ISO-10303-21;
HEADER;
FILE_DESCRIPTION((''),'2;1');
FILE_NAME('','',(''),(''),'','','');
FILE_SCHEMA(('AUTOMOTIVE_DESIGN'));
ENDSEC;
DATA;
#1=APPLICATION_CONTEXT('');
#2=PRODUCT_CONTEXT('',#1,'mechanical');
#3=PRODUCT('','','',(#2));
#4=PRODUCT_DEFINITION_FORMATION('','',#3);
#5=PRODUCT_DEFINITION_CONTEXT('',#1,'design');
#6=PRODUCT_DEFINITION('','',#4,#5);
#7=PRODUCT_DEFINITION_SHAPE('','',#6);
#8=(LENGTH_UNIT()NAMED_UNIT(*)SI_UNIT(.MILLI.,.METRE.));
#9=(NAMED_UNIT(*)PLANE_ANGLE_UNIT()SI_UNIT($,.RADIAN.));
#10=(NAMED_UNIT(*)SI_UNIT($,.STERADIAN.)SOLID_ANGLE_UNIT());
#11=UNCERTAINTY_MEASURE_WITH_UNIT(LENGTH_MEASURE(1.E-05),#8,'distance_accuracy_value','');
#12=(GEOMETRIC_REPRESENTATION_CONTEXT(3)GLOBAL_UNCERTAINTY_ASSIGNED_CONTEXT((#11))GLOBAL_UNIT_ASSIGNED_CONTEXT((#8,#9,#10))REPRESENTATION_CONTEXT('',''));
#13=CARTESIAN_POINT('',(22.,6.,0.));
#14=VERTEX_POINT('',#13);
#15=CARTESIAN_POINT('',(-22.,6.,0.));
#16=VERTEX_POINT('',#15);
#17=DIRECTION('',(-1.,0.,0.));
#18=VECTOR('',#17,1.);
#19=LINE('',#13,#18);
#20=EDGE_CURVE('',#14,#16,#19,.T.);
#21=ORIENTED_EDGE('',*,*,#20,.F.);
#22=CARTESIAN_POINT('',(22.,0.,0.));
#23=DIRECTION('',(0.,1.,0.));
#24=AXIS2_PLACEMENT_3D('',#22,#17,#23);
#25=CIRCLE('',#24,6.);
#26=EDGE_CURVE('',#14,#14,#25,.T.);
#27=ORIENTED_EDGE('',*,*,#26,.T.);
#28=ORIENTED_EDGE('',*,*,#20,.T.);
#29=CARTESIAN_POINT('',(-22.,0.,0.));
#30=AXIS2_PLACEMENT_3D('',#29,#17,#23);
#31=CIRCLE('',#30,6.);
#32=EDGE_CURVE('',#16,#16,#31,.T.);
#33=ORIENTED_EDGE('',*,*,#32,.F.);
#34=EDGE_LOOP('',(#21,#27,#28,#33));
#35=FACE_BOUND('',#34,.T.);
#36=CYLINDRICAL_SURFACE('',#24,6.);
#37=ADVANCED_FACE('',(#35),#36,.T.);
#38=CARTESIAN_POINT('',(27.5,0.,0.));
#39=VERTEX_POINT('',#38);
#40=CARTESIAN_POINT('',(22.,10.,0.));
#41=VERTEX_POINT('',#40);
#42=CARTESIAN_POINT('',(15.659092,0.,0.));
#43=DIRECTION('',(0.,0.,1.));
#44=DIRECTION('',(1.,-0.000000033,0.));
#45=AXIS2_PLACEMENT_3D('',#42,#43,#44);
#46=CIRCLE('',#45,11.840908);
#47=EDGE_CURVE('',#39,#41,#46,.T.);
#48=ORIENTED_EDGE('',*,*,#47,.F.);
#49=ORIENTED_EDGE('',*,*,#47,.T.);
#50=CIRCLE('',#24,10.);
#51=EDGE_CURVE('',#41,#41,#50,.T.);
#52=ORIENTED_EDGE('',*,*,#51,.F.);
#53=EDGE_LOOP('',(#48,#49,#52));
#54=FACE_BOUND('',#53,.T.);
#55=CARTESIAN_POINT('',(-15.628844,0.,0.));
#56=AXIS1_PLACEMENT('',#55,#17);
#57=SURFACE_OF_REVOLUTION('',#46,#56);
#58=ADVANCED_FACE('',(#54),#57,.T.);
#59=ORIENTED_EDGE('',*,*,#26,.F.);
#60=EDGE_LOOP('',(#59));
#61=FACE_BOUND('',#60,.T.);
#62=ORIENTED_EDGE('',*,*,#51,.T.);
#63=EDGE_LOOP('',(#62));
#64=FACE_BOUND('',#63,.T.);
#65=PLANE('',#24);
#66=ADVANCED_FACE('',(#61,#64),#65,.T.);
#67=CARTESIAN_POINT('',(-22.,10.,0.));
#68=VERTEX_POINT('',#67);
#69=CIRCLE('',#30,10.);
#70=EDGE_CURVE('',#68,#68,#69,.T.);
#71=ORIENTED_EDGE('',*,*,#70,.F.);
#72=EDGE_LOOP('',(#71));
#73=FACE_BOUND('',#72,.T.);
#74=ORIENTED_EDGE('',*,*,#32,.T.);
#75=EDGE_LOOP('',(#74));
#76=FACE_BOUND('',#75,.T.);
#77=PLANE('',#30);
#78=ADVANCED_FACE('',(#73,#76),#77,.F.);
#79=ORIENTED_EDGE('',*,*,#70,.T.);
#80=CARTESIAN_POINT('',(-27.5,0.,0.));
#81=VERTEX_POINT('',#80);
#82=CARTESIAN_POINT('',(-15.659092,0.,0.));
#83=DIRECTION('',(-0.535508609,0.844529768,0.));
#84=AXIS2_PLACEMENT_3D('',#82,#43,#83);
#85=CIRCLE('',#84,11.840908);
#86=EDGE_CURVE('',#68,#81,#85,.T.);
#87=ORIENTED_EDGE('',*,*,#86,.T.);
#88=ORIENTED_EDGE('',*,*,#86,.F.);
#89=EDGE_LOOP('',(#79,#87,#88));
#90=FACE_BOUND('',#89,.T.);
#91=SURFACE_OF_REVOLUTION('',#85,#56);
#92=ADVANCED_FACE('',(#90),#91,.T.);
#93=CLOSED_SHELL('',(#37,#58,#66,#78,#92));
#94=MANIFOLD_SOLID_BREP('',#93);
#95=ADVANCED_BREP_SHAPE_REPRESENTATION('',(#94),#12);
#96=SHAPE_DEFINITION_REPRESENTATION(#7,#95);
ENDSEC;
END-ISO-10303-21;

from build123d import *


with BuildPart() as f1:
    # F0 (on Top) → F1 (revolve)
    with BuildSketch(Plane.XY):
        with BuildLine():
            Line((22, 6), (0, 6))
            Line((0, 6), (-22, 6))
            Line((-22, 6), (-22, 10))
            ThreePointArc((-22, 10), (-26.034284, 5.706356), (-27.5, 0))
            Line((-27.5, 0), (27.5, 0))
            ThreePointArc((27.5, 0), (26.034284, 5.706356), (22, 10))
            Line((22, 10), (22, 6))
        make_face()
    revolve(axis=Axis((-15.628844, 0, 0), (-1, 0, 0)))


solid = f1.part
